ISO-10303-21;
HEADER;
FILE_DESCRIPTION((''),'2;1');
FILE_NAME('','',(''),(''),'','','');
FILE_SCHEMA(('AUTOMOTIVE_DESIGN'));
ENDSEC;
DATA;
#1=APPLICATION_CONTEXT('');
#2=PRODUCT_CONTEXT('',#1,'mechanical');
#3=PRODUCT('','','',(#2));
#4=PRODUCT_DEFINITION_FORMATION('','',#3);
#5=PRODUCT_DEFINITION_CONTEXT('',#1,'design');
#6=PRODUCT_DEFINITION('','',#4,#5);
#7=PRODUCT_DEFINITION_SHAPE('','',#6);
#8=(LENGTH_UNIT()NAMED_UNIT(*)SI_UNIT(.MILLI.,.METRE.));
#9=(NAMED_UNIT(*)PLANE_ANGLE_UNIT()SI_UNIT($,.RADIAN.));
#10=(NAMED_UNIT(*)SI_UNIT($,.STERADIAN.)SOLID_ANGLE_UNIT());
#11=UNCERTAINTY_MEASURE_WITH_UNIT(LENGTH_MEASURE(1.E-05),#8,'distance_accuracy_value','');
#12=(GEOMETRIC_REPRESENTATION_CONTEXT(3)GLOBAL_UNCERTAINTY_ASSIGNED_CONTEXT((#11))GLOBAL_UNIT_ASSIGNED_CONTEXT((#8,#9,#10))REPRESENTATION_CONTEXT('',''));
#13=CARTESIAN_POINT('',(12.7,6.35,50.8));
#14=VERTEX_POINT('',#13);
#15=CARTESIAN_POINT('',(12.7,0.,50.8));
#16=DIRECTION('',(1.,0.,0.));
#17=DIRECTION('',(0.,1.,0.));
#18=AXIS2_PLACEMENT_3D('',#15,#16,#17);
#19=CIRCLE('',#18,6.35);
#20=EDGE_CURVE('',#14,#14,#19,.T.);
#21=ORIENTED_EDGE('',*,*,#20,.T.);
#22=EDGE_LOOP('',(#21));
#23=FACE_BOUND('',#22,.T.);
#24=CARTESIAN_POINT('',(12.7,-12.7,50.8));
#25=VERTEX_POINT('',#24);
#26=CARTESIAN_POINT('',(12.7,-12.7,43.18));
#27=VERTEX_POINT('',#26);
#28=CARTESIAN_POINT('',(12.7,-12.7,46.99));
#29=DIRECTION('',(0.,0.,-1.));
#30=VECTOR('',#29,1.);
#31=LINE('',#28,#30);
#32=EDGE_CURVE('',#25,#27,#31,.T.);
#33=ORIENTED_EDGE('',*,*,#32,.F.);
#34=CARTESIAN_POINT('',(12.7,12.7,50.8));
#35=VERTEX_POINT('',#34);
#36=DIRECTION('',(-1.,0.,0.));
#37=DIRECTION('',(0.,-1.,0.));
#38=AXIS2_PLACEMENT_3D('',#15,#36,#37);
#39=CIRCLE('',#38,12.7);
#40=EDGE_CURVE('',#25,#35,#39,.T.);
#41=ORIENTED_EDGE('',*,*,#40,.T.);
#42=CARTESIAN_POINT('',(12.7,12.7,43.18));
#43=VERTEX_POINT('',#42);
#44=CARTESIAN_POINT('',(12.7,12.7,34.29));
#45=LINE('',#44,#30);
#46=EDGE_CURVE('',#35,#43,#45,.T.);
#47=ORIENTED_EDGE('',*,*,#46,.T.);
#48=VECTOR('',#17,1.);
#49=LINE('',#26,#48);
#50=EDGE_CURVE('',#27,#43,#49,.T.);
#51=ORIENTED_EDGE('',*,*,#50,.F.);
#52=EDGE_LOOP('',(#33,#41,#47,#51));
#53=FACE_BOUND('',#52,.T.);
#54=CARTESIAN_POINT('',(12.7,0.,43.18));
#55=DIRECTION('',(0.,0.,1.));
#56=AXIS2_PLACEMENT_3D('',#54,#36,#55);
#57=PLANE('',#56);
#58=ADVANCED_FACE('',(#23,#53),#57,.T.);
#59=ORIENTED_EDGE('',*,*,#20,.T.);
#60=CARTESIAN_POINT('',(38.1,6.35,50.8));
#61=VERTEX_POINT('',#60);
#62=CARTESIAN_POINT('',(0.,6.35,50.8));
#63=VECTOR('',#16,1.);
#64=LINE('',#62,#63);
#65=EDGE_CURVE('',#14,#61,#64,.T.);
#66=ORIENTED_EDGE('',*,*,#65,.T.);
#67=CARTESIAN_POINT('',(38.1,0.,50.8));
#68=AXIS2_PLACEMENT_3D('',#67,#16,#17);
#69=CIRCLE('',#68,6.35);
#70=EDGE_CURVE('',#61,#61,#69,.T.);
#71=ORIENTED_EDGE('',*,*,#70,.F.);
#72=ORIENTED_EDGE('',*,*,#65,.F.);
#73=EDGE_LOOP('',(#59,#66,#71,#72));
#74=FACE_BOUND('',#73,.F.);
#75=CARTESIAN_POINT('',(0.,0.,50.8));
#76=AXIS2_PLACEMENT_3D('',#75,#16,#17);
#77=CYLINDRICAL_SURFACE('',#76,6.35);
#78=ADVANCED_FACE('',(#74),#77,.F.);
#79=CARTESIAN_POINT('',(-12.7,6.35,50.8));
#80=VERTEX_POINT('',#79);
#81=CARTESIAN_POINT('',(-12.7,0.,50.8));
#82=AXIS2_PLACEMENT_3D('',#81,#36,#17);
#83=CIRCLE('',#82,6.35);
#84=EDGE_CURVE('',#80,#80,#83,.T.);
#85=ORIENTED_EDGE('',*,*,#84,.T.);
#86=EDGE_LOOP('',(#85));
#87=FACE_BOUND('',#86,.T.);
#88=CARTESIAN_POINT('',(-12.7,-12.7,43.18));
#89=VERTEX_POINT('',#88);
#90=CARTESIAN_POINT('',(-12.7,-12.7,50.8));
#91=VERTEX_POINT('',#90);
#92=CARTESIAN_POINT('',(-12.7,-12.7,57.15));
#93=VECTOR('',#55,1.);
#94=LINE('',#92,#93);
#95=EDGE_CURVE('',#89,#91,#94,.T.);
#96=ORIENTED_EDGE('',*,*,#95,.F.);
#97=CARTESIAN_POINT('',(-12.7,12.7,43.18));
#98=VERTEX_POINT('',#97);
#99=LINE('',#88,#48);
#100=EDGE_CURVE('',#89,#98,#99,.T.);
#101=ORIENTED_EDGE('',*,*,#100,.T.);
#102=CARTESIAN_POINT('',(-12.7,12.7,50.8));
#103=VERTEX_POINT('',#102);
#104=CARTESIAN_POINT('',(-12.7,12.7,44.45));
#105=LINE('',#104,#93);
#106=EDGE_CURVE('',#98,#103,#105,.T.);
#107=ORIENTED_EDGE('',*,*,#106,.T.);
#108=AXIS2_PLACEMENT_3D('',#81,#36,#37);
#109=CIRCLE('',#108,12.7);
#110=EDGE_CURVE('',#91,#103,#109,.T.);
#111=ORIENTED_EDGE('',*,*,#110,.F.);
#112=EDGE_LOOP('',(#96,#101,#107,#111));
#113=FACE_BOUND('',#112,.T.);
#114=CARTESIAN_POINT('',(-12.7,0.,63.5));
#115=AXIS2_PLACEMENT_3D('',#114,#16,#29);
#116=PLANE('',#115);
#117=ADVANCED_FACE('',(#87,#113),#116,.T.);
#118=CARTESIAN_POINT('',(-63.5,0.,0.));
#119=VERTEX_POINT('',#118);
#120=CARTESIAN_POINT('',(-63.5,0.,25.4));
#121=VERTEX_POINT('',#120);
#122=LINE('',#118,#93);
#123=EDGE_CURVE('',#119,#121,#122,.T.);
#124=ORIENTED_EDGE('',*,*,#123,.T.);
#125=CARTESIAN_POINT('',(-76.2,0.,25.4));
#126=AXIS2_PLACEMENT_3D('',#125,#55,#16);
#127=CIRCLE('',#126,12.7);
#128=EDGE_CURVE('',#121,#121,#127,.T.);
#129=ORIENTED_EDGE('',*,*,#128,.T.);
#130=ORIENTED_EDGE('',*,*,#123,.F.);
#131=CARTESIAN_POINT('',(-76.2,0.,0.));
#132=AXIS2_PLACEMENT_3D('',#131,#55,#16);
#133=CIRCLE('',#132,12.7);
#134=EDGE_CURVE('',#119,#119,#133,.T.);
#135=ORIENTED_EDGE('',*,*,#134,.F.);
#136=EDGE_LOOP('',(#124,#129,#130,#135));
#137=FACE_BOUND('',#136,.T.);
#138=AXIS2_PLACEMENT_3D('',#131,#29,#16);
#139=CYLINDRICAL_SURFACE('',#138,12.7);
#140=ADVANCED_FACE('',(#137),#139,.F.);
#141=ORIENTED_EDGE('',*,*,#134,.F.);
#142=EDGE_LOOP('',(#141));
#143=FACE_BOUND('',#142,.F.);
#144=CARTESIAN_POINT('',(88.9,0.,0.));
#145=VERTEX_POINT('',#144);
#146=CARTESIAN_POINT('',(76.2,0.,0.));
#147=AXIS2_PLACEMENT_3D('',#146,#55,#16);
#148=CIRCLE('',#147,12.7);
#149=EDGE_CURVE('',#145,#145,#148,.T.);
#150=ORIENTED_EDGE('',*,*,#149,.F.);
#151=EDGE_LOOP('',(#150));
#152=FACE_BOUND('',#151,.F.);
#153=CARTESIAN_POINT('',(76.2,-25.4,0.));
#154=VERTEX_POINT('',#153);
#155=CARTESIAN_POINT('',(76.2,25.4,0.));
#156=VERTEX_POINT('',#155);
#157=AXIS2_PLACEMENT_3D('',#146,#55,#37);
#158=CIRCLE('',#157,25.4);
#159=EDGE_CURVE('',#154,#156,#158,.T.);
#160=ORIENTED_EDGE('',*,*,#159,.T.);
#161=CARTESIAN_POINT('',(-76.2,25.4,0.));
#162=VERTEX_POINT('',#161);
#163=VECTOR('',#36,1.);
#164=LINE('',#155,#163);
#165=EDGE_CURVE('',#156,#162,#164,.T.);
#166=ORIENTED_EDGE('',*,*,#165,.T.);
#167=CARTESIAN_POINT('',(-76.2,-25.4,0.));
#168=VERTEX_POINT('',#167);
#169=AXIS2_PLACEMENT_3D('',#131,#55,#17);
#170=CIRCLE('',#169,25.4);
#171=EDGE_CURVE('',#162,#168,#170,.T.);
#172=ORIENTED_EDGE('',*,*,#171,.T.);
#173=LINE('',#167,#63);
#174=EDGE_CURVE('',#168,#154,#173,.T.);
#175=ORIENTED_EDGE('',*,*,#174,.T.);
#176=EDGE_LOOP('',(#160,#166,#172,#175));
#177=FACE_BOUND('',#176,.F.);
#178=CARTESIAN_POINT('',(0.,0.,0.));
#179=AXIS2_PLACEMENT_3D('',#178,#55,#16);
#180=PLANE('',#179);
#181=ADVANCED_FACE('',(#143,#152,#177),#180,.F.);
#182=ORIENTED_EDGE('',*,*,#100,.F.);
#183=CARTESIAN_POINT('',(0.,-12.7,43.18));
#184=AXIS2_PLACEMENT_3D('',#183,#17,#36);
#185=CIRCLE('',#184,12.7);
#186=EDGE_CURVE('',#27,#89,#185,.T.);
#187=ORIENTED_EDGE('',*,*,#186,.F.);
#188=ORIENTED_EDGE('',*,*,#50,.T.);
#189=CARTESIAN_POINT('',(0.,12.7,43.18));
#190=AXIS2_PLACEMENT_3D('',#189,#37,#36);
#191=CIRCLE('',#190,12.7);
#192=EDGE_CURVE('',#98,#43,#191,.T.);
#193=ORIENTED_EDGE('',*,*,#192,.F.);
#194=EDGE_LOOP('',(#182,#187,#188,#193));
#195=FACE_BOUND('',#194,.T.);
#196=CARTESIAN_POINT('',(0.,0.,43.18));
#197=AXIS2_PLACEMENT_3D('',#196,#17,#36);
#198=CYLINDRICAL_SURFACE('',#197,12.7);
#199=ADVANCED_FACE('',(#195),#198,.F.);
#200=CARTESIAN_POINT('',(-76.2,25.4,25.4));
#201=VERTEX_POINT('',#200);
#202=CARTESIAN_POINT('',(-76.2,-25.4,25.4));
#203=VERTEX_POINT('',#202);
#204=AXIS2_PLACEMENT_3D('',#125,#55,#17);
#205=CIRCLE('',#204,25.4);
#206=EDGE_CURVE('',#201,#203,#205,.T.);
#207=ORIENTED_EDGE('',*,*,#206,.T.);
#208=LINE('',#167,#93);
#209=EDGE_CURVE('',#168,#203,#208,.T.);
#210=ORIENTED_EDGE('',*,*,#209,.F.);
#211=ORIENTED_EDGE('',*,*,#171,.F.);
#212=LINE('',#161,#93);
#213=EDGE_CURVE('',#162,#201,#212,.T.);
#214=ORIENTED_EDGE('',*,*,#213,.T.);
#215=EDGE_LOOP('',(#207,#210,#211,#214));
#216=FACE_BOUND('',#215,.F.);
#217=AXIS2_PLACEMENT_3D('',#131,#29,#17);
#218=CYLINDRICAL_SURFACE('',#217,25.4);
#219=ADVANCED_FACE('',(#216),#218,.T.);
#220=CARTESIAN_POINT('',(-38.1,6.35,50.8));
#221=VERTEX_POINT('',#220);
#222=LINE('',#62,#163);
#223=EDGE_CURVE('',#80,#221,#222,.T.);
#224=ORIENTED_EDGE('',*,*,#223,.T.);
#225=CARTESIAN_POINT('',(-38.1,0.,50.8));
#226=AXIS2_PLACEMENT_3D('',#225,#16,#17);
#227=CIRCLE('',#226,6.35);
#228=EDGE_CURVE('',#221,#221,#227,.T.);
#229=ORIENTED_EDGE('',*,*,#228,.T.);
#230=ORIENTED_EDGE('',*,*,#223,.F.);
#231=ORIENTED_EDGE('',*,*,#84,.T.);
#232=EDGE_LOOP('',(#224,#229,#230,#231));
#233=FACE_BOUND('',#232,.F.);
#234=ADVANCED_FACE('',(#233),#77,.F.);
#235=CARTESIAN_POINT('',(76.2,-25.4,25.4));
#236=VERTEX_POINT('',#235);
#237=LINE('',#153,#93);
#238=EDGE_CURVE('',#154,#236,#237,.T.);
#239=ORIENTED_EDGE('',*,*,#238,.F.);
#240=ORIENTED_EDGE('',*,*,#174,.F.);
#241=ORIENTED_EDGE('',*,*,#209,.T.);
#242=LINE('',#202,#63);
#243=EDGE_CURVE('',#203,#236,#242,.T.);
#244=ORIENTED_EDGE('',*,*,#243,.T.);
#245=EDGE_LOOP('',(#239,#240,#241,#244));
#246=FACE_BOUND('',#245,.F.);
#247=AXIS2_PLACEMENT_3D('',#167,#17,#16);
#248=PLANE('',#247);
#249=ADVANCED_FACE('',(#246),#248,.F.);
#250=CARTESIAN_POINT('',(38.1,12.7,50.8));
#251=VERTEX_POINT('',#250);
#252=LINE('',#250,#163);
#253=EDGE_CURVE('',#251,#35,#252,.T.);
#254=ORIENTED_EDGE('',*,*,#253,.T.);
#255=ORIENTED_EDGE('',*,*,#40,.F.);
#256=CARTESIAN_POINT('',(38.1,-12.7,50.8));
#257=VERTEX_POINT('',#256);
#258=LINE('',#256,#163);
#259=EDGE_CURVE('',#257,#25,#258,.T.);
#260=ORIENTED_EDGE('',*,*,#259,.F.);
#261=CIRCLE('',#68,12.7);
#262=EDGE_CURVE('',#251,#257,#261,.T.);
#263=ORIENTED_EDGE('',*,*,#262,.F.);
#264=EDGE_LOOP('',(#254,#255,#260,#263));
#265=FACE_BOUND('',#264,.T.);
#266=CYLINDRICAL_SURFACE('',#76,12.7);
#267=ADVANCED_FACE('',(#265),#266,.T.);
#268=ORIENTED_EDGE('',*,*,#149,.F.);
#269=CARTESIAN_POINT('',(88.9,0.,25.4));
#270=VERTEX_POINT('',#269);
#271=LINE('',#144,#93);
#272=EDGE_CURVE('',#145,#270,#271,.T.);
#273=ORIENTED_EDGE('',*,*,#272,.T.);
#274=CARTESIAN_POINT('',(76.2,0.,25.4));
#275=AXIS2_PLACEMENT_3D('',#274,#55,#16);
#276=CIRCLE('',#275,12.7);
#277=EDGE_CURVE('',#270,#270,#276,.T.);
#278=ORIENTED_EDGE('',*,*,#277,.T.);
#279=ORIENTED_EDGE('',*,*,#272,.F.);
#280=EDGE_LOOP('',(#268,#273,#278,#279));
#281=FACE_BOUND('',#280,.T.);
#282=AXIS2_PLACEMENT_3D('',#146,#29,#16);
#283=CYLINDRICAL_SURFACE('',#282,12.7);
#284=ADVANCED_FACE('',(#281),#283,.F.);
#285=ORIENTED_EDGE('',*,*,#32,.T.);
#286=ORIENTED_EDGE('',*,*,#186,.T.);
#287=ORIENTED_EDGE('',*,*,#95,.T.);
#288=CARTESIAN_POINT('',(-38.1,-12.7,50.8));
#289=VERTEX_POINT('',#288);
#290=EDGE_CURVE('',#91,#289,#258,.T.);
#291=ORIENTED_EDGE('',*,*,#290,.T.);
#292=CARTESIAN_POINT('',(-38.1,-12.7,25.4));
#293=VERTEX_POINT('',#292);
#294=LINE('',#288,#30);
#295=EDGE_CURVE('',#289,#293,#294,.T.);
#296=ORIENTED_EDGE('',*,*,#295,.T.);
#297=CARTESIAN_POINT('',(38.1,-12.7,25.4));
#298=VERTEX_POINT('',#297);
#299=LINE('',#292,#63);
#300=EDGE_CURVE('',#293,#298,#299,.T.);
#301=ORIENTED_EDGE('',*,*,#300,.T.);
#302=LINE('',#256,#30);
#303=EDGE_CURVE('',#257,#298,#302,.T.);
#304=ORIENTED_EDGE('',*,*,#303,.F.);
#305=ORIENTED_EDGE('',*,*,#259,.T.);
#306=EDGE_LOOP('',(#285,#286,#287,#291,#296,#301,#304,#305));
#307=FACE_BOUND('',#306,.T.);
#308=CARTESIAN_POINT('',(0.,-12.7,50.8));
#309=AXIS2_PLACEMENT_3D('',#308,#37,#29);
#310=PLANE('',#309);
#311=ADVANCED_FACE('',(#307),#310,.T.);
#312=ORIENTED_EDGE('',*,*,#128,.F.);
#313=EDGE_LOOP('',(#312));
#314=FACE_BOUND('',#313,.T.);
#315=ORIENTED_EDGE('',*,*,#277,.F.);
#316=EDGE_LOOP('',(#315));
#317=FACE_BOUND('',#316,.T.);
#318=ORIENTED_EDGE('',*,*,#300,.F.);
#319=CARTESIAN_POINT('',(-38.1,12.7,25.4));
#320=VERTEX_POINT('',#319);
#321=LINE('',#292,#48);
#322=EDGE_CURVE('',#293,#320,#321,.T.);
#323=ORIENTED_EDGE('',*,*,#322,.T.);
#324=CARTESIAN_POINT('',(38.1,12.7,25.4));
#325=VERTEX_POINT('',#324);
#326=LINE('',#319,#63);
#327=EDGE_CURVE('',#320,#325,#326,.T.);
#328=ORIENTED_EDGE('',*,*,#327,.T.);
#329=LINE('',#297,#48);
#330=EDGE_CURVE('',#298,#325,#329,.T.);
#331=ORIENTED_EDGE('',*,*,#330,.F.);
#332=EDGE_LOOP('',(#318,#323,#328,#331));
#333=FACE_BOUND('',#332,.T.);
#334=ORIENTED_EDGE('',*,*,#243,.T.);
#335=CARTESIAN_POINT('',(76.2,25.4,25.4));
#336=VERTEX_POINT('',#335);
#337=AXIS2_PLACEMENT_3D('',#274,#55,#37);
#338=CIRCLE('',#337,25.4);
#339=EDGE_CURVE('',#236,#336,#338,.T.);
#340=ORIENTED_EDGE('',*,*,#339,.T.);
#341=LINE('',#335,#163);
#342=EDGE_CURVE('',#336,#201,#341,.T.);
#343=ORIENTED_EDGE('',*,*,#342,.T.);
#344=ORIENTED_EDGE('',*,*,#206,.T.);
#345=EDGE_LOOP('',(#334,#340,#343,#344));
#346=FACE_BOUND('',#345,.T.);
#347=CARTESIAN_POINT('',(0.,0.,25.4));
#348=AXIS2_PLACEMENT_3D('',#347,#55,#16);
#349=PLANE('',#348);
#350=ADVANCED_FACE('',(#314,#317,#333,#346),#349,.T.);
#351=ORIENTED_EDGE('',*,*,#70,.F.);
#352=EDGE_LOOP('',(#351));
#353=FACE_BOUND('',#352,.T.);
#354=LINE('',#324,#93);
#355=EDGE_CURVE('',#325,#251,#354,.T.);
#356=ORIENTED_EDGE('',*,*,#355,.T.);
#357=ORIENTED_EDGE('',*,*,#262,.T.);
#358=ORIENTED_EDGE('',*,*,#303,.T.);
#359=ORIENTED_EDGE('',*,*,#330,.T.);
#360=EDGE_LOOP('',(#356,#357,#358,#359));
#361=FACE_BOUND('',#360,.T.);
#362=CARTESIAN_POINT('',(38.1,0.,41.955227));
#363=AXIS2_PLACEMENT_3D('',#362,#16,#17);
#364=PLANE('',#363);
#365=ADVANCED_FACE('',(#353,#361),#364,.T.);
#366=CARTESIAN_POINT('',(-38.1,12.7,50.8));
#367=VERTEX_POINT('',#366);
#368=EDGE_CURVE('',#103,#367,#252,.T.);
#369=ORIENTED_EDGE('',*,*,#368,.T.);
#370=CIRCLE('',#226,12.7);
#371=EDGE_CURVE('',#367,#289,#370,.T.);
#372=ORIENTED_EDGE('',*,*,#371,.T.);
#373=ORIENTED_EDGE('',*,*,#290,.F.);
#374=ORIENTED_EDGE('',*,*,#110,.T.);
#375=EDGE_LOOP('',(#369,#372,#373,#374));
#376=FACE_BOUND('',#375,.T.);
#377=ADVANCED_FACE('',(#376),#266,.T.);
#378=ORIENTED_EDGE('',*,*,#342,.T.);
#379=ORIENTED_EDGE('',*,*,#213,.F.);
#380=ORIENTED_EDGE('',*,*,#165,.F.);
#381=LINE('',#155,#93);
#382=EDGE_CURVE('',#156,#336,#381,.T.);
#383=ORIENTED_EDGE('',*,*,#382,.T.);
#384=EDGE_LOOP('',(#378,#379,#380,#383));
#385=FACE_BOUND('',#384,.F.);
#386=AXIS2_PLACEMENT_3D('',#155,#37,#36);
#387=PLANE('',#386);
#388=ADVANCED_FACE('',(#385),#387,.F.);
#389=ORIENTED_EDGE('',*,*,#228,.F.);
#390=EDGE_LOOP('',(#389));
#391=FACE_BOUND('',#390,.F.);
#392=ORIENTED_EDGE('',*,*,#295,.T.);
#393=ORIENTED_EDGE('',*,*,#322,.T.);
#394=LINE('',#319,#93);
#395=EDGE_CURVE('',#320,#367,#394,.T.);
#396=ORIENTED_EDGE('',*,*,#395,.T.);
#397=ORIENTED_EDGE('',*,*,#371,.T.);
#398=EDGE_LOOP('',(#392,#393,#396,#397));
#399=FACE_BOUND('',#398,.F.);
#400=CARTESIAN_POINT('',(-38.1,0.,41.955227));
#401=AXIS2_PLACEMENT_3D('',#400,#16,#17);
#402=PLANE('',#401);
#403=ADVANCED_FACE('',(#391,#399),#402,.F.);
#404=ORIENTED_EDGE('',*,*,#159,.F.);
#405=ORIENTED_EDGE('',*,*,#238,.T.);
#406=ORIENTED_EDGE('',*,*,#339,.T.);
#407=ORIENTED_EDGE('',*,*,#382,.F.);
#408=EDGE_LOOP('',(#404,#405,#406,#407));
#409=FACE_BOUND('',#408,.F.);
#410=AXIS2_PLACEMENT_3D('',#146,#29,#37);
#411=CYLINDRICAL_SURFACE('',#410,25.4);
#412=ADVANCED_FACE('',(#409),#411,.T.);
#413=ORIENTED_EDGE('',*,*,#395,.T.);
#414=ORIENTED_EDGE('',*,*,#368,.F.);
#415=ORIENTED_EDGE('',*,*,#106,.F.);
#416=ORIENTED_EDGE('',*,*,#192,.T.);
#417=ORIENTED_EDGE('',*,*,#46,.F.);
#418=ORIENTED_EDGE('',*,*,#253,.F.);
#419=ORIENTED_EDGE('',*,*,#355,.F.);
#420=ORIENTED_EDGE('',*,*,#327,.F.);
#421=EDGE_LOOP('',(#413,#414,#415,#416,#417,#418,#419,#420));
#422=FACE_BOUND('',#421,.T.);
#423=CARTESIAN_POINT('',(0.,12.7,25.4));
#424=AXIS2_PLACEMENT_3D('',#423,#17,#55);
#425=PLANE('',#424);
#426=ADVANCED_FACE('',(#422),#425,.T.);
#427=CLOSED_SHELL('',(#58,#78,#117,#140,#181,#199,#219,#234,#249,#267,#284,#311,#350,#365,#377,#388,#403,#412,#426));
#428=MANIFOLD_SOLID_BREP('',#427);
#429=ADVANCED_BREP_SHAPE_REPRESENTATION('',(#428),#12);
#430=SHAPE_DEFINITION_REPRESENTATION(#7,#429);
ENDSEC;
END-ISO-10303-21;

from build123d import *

# Parameters (mm, degrees)
F0_R          = 12.7
F1_DEPTH      = 25.4
F2_R          = 6.35
F3_DEPTH      = 38.1
F3_DEPTH_BACK = 38.1
F5_DEPTH      = 25.4
F5_DEPTH_BACK = 25.4


with BuildPart() as f1:
    # F0 (on Top) → F1 (new body)
    with BuildSketch(Plane.XY):
        with BuildLine():
            Line((76.2, 25.4), (-76.2, 25.4))
            ThreePointArc((-76.2, 25.4), (-101.6, 0), (-76.2, -25.4))
            Line((-76.2, -25.4), (76.2, -25.4))
            ThreePointArc((76.2, -25.4), (101.6, 0), (76.2, 25.4))
        make_face()
        with Locations((-76.2, 0)):
            Circle(F0_R, mode=Mode.SUBTRACT)
        with Locations((76.2, 0)):
            Circle(F0_R, mode=Mode.SUBTRACT)
    extrude(amount=F1_DEPTH)

    # F2 (on Right) → F3 (join, two sides)
    with BuildSketch(Plane.YZ) as f3_sk:
        with BuildLine():
            Line((-12.7, 50.8), (-12.7, 25.4))
            Line((-12.7, 25.4), (12.7, 25.4))
            Line((12.7, 25.4), (12.7, 50.8))
            ThreePointArc((12.7, 50.8), (0, 63.5), (-12.7, 50.8))
        make_face()
        with Locations((0, 50.8)):
            Circle(F2_R, mode=Mode.SUBTRACT)
    extrude(amount=F3_DEPTH)
    extrude(f3_sk.sketch, amount=-F3_DEPTH_BACK)

    # F4 (on Front) → F5 (cut, two sides)
    with BuildSketch(Plane.XZ) as f5_sk:
        with BuildLine():
            Line((12.7, 43.18), (12.7, 63.5))
            Line((12.7, 63.5), (-12.7, 63.5))
            Line((-12.7, 63.5), (-12.7, 43.18))
            ThreePointArc((-12.7, 43.18), (0, 30.48), (12.7, 43.18))
        make_face()
    extrude(amount=-F5_DEPTH, mode=Mode.SUBTRACT)
    extrude(f5_sk.sketch, amount=F5_DEPTH_BACK, mode=Mode.SUBTRACT)


solid = f1.part
